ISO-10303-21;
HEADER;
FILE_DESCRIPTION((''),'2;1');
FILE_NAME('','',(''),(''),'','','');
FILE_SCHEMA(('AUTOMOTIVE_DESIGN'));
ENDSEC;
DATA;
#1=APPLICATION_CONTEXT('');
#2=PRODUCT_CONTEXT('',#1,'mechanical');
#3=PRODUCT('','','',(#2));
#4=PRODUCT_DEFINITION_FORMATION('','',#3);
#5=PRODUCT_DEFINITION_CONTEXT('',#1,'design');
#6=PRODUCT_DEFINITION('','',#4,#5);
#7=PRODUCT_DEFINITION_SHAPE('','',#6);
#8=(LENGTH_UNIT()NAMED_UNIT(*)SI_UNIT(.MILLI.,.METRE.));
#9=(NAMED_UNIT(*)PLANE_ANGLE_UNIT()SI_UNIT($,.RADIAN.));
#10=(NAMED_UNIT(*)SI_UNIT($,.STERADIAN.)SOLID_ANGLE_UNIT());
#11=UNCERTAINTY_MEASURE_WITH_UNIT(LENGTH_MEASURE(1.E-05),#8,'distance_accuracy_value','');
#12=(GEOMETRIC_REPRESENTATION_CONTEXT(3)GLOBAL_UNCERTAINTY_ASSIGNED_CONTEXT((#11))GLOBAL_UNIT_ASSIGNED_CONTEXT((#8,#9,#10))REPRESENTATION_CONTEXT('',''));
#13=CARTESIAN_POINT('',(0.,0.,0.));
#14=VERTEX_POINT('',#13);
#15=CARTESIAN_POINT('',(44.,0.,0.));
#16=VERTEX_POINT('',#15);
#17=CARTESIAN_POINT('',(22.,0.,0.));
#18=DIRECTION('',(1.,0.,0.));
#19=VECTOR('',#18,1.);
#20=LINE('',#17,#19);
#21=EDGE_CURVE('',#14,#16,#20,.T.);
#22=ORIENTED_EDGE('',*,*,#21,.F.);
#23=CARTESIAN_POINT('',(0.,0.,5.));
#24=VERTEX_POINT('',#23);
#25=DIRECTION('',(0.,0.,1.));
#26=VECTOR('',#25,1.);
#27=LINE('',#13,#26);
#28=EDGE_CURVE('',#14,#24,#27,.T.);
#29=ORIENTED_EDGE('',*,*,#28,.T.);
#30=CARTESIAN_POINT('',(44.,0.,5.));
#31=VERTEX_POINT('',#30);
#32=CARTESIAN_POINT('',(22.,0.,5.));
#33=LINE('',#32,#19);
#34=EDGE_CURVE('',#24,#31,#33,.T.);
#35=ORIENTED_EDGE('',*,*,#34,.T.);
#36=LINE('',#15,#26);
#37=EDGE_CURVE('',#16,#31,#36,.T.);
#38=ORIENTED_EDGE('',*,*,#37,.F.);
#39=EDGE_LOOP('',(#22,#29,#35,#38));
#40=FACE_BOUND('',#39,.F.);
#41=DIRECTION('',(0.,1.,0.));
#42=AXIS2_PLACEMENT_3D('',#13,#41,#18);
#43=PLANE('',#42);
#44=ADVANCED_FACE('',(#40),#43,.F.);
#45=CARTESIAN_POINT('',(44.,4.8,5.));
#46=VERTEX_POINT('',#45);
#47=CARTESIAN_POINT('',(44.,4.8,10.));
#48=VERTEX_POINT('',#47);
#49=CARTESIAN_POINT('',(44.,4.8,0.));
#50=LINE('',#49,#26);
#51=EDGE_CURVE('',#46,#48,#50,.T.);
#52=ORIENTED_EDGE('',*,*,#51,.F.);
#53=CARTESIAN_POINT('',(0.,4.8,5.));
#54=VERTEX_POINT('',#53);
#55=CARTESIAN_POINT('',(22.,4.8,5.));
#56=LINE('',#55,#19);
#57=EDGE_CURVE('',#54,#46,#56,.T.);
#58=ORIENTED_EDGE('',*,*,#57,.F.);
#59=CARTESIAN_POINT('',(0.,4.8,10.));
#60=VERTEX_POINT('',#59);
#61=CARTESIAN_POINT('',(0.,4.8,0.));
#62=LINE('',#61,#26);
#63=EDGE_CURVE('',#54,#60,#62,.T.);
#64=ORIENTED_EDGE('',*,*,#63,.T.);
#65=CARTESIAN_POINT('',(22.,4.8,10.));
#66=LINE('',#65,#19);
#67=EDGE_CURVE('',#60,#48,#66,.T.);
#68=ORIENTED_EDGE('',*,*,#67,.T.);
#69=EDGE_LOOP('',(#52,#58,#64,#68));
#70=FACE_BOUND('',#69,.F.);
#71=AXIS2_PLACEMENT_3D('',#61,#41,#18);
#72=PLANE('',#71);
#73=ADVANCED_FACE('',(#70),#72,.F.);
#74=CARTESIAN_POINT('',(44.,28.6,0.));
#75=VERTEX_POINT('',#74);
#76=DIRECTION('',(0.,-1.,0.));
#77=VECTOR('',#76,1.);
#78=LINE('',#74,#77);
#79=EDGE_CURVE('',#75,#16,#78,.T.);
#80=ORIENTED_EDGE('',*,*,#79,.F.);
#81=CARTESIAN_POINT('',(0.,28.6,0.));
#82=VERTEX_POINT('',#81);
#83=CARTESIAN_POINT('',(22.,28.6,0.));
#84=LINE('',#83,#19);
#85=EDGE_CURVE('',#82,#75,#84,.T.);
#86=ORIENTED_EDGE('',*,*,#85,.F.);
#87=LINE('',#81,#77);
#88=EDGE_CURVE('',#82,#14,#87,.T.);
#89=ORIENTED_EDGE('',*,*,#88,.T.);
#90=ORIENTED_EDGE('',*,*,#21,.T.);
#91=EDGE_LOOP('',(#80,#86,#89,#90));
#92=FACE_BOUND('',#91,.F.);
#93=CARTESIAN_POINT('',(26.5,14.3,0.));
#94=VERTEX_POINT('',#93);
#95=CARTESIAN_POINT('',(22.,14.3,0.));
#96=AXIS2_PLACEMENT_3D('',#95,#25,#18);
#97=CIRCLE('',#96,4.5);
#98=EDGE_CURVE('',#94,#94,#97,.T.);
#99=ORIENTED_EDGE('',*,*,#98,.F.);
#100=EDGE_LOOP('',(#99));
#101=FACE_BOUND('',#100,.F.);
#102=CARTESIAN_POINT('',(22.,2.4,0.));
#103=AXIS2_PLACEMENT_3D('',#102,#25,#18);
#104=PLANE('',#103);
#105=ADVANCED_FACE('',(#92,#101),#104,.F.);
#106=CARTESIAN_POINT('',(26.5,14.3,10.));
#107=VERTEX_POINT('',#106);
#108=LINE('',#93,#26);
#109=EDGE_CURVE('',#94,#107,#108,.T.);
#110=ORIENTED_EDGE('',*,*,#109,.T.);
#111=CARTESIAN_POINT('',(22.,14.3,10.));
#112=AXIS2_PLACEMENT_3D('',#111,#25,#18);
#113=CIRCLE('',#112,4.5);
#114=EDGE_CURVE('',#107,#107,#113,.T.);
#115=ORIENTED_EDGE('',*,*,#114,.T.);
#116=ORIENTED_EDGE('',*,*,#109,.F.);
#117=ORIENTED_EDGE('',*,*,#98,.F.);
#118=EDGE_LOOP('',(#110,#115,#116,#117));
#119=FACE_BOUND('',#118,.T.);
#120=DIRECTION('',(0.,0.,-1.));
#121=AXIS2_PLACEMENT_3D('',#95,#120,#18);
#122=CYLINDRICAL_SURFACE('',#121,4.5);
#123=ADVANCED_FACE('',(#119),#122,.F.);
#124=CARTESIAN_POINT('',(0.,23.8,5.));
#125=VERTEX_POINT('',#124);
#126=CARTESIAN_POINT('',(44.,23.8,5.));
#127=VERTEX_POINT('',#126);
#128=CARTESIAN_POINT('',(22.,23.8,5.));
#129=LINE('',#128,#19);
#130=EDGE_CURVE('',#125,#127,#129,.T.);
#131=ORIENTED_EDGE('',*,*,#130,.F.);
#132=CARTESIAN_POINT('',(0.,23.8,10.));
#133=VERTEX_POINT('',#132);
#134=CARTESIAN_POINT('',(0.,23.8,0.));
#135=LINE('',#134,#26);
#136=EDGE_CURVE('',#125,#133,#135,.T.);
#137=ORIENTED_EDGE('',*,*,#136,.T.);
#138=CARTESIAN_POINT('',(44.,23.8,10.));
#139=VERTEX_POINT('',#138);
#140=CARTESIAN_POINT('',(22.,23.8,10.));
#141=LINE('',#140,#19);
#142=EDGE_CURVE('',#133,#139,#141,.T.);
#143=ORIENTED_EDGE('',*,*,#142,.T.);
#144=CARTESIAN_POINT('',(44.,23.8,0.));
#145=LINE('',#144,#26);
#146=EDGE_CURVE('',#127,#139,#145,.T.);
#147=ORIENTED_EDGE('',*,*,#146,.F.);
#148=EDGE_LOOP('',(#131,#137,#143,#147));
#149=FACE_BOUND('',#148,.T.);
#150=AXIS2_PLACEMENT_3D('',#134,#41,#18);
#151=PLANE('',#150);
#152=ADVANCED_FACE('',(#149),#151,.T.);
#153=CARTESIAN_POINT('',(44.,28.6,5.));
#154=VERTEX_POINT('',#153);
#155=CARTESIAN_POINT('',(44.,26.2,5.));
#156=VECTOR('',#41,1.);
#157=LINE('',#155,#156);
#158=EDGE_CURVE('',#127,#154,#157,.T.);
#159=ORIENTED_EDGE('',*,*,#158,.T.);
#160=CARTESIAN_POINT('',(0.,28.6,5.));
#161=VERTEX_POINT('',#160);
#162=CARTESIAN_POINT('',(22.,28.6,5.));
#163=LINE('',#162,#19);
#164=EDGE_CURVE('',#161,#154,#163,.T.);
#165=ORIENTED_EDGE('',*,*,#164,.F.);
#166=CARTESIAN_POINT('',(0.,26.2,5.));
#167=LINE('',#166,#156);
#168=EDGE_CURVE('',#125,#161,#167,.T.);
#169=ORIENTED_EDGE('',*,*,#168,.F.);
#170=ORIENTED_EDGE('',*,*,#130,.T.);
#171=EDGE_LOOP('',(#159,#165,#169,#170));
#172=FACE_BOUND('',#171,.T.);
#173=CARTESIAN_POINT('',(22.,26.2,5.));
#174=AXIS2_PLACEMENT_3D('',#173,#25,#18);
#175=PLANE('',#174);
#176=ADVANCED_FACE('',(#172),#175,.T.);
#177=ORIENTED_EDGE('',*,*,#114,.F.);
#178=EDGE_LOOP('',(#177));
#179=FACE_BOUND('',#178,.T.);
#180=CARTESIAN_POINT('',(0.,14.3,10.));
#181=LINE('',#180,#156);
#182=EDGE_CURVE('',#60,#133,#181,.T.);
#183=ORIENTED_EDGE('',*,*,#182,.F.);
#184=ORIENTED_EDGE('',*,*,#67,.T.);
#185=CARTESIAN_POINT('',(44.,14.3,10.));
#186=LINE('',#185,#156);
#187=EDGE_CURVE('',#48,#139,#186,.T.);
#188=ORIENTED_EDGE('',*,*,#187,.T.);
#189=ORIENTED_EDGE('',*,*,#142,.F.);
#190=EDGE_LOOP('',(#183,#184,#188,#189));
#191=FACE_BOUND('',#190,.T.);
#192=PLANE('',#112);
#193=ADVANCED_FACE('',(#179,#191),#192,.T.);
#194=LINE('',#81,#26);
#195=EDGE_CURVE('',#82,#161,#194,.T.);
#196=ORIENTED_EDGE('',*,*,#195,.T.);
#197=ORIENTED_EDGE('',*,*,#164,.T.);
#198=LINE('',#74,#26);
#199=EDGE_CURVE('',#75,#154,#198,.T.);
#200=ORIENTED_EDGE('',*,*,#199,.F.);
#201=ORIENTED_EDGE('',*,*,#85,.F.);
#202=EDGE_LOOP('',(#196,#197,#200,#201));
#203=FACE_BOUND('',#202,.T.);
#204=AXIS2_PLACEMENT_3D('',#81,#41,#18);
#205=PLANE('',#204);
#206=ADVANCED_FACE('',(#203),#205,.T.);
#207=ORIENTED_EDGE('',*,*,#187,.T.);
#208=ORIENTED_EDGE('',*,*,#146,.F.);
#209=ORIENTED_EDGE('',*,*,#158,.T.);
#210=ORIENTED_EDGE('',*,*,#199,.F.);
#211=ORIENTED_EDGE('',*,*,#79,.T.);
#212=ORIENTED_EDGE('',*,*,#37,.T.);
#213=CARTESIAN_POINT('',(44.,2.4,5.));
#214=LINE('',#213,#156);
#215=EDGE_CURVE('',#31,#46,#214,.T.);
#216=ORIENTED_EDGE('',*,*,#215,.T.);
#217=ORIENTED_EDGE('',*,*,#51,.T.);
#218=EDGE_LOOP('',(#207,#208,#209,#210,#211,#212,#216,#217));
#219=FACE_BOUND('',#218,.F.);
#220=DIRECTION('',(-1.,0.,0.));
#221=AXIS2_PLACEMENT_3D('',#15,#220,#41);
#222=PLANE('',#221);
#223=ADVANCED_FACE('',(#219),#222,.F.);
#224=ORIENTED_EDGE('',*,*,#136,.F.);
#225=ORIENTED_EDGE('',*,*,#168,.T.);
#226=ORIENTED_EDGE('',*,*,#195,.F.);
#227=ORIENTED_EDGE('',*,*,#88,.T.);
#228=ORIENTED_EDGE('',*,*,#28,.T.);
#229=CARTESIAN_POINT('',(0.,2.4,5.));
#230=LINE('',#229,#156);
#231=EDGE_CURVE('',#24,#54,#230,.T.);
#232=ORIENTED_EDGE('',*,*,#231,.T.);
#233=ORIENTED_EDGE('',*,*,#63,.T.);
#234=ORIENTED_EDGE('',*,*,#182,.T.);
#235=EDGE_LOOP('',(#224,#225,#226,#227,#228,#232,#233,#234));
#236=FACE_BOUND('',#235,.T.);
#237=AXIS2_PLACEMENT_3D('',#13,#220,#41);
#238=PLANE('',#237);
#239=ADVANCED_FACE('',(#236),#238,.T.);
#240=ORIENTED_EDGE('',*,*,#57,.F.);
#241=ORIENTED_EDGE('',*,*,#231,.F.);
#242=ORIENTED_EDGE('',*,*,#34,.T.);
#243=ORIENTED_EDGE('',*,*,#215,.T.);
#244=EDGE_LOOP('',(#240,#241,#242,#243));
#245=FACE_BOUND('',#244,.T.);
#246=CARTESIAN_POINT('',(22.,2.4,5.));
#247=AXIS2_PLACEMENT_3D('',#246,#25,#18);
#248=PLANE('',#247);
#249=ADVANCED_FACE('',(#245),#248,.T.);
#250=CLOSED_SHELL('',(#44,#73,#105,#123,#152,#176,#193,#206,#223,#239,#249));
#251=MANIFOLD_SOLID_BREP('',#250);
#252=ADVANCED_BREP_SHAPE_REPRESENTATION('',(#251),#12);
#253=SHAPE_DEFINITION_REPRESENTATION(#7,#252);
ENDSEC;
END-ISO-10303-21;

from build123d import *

# Parameters (mm, degrees)
F0_W     = 44
F0_H     = 19
F0_R     = 4.5
F1_DEPTH = 10
F0_H_2   = 4.8
F2_DEPTH = 5


with BuildPart() as f1:
    # F0 (on Top) → F1 (new body)
    with BuildSketch(Plane.XY):
        with Locations((22, 14.3)):
            Rectangle(F0_W, F0_H)
        with Locations((22, 14.3)):
            Circle(F0_R, mode=Mode.SUBTRACT)
    extrude(amount=F1_DEPTH)

    # F0 (on Top) → F2 (join)
    with BuildSketch(Plane.XY):
        with Locations((22, 2.4)):
            Rectangle(F0_W, F0_H_2)
        with Locations((22, 26.2)):
            Rectangle(F0_W, F0_H_2)
    extrude(amount=F2_DEPTH)


solid = f1.part
